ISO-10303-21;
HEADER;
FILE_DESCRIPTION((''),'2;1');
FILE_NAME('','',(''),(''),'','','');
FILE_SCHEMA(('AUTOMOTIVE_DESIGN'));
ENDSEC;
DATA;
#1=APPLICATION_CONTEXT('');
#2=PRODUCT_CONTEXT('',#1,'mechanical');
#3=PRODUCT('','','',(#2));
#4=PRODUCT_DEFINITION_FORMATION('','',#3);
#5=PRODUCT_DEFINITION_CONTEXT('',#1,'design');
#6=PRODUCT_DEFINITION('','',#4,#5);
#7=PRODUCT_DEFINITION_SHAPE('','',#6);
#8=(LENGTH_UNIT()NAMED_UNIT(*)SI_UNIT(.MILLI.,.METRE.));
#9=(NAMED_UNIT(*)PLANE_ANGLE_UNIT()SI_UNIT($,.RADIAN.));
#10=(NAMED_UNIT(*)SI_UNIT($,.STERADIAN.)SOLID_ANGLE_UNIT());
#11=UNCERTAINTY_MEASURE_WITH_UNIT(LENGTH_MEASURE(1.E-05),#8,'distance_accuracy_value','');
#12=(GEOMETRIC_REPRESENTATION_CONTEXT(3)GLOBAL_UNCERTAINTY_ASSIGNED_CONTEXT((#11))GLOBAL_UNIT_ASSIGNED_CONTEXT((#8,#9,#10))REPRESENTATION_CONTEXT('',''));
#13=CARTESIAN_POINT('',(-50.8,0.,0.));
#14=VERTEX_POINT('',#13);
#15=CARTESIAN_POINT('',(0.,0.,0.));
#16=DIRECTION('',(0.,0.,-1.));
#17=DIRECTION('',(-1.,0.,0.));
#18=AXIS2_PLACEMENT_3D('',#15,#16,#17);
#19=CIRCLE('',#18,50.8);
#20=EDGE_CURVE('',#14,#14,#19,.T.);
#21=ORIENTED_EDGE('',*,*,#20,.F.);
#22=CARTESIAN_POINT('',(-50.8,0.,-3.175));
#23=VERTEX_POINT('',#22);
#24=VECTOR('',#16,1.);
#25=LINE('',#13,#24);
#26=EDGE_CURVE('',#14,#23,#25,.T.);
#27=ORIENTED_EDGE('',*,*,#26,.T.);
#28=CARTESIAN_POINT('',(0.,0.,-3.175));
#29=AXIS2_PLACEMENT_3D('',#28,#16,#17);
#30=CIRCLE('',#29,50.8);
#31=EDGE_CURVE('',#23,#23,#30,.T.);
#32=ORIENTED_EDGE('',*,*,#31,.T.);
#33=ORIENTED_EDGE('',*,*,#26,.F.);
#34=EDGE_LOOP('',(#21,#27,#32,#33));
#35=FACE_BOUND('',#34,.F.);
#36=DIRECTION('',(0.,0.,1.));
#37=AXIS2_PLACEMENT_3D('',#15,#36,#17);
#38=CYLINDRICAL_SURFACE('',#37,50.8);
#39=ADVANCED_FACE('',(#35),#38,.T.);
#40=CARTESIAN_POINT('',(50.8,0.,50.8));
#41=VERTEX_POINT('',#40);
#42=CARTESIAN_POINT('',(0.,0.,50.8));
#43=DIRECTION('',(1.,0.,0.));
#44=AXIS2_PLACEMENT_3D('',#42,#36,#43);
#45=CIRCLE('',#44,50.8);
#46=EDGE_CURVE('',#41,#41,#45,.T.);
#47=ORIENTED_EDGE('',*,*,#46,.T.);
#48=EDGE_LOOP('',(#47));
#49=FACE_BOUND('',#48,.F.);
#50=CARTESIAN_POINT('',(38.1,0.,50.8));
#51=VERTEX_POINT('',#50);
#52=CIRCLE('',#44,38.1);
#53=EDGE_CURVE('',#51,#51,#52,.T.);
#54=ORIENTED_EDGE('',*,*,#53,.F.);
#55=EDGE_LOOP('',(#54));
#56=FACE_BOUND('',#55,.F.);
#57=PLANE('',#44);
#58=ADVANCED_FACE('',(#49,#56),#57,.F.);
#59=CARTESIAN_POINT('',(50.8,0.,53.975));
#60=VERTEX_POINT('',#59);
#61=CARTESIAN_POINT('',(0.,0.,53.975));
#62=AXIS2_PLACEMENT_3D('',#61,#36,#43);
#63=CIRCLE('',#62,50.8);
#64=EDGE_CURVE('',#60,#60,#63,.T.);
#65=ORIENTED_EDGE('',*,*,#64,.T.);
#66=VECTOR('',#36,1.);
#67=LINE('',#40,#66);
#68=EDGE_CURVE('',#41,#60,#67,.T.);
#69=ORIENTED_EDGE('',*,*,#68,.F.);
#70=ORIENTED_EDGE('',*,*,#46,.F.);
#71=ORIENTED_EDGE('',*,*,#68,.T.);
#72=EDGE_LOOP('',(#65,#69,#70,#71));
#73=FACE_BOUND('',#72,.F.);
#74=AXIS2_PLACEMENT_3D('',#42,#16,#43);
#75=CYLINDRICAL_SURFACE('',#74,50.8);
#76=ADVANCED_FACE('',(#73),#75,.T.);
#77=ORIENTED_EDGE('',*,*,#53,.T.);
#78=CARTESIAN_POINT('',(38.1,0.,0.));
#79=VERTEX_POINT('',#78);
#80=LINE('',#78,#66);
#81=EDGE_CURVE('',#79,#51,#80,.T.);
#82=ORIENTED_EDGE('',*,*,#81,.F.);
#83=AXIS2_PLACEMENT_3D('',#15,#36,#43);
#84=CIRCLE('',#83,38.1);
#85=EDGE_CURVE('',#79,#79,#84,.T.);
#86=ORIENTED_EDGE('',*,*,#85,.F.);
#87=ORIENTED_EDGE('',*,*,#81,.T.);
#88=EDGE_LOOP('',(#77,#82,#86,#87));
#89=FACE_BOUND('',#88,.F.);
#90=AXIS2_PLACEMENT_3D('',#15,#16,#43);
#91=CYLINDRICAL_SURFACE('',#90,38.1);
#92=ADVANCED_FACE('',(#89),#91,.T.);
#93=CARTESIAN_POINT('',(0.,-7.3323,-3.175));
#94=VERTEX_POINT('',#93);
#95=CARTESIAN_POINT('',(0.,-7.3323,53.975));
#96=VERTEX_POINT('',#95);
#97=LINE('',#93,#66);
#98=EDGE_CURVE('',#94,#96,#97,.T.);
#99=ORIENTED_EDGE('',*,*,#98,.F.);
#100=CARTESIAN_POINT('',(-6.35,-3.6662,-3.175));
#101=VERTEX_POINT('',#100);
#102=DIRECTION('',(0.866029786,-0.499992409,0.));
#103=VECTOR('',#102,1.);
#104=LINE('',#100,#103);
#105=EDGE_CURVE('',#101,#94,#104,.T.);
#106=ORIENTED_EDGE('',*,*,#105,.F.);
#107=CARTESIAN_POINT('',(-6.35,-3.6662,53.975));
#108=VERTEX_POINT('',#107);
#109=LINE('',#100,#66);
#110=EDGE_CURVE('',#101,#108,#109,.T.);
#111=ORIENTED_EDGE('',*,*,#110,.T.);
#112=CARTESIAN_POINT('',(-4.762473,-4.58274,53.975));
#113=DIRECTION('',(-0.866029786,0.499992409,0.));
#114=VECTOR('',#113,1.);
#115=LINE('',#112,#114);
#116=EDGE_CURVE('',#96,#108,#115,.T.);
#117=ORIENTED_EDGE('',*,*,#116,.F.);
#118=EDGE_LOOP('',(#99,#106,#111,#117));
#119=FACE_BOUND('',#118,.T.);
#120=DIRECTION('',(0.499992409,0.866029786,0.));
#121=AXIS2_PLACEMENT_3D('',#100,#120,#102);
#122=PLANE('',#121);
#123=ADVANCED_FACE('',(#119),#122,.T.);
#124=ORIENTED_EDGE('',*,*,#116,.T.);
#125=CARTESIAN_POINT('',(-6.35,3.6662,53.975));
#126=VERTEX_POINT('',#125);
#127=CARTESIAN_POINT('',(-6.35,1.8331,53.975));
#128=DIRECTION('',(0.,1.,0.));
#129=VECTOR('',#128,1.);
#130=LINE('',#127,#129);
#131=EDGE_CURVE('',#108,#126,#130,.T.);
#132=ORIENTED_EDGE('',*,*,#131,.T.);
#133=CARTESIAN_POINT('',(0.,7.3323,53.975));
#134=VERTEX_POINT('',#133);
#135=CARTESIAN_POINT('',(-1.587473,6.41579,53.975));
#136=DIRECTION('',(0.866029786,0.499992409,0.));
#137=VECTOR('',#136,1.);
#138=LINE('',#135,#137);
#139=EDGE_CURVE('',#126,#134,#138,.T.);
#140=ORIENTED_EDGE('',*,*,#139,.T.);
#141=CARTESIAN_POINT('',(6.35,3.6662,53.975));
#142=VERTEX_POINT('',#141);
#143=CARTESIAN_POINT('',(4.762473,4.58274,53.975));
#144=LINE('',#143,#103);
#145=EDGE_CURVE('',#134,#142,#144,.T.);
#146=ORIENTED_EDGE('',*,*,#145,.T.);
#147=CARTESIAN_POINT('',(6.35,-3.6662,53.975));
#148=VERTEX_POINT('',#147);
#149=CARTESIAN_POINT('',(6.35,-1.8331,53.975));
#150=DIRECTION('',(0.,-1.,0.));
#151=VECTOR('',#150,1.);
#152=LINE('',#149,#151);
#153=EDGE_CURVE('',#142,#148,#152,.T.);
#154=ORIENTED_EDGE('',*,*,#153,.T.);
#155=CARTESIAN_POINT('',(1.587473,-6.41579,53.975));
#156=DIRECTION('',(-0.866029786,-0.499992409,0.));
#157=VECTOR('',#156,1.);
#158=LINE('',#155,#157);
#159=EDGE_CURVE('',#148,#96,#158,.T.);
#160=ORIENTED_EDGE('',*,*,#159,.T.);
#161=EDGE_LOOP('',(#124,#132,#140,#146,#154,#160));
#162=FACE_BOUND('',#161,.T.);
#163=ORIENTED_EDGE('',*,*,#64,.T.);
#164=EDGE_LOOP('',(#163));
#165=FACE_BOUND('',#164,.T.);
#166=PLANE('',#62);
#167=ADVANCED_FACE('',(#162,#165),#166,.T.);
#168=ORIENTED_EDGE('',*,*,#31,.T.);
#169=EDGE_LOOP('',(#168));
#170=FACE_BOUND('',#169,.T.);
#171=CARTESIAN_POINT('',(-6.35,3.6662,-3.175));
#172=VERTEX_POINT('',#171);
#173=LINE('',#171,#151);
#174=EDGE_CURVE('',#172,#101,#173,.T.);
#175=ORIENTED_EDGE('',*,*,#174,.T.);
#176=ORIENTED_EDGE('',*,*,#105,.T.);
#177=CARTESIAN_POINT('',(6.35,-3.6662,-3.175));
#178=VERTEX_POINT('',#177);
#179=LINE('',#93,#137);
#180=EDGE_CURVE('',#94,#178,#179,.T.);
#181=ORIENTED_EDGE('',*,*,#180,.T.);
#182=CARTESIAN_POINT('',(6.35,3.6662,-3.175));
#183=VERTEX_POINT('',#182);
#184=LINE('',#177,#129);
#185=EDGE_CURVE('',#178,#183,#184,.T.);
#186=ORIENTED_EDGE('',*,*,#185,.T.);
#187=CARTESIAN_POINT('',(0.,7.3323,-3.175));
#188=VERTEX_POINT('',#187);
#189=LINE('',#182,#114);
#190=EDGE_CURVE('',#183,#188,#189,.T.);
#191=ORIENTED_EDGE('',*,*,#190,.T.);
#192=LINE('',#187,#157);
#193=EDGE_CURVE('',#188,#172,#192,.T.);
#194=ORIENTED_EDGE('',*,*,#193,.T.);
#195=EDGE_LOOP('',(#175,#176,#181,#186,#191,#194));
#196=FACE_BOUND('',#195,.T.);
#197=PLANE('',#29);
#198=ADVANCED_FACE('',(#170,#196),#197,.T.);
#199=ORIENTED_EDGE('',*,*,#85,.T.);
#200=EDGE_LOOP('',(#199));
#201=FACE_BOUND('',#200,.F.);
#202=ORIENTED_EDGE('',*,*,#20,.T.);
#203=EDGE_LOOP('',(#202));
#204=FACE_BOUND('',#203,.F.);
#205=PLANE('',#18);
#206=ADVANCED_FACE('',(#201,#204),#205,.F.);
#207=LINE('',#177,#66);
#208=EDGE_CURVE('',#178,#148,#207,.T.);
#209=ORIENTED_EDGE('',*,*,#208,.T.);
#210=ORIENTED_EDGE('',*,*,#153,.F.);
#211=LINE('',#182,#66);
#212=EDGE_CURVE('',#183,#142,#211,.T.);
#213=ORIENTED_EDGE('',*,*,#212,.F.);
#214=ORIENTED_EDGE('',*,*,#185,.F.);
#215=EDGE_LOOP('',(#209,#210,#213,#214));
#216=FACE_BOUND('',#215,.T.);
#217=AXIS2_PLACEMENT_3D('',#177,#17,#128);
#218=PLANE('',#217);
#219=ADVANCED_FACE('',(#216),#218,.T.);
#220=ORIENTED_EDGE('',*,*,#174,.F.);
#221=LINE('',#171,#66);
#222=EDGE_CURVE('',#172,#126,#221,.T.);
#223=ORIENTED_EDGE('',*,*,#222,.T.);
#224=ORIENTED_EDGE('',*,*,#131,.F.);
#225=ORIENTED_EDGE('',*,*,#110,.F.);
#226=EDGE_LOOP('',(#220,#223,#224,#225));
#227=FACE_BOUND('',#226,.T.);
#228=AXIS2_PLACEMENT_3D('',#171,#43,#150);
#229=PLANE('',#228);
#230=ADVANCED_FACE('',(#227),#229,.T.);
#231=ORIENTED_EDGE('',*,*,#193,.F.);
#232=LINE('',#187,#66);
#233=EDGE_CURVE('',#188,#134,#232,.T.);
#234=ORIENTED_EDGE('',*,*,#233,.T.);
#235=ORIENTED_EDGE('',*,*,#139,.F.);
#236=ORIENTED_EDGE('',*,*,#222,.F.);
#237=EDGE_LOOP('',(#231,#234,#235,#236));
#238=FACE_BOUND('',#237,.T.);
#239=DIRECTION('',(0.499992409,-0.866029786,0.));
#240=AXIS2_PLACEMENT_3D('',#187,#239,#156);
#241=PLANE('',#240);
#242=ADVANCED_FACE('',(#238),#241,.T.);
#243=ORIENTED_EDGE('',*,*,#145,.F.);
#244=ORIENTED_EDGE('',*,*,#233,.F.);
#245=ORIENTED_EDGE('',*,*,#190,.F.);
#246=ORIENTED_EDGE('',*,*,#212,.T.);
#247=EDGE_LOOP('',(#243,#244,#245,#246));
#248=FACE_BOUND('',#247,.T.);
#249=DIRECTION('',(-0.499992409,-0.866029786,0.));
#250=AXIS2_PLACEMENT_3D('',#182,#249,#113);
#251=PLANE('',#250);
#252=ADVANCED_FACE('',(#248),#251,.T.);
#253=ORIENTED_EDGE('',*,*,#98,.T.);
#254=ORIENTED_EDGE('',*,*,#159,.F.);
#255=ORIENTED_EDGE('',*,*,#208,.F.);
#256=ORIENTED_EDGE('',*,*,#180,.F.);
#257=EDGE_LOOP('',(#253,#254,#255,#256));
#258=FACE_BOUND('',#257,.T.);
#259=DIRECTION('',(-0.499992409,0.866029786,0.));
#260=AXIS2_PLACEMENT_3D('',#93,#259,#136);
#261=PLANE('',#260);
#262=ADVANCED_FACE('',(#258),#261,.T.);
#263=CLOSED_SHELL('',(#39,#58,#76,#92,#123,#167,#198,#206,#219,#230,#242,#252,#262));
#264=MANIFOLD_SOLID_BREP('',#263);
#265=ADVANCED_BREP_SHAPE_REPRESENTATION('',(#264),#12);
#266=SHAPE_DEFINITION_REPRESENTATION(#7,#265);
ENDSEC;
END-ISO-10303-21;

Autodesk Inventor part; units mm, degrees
ref_plane "YZ Plane" through (0, 0, 0) normal (1, 0, 0) x (0, 1, 0)
ref_plane "XZ Plane" through (0, 0, 0) normal (0, 1, 0) x (-1, 0, 0)
ref_plane "XY Plane" through (0, 0, 0) normal (0, 0, 1) x (1, 0, 0)
sketch "Sketch1" plane through (0, 0, 0) normal (0, 0, 1) x (1, 0, 0)
  circle A0 centre (0, 0) radius 38.1
  dimension "d0" = 76.2
extrude "Extrusion1" add sketch "Sketch1" along normal blind 50.8
sketch "Sketch2" plane through (0, 0, 50.8) normal (0, 0, 1) x (1, 0, 0)
  circle A0 centre (0, 0) radius 50.8
  dimension "d3" = 101.6
extrude "Extrusion2" add sketch "Sketch2" along normal blind 3.175
sketch "Sketch3" plane through (0, 0, 0) normal (0, 0, -1) x (-1, 0, 0)
  circle A0 centre (0, 0) radius 50.8
extrude "Extrusion3" add sketch "Sketch3" along normal blind 3.175
sketch "Sketch4" plane through (0, 0, -3.175) normal (0, 0, -1) x (-1, 0, 0)
  line L0 (6.35, -3.6662) -> (0, -7.3323)
  line L1 (0, -7.3323) -> (-6.35, -3.6662)
  line L2 (-6.35, -3.6662) -> (-6.35, 3.6662)
  line L3 (-6.35, 3.6662) -> (0, 7.3323)
  line L4 (0, 7.3323) -> (6.35, 3.6662)
  line L5 (6.35, 3.6662) -> (6.35, -3.6662)
  point P0 (0, 0)
  point P1 (0, 0)
  dimension "d8" = 12.7
extrude "Extrusion4" cut sketch "Sketch4" against normal through all
properties part number "Spool" material "Aluminum 6061"
